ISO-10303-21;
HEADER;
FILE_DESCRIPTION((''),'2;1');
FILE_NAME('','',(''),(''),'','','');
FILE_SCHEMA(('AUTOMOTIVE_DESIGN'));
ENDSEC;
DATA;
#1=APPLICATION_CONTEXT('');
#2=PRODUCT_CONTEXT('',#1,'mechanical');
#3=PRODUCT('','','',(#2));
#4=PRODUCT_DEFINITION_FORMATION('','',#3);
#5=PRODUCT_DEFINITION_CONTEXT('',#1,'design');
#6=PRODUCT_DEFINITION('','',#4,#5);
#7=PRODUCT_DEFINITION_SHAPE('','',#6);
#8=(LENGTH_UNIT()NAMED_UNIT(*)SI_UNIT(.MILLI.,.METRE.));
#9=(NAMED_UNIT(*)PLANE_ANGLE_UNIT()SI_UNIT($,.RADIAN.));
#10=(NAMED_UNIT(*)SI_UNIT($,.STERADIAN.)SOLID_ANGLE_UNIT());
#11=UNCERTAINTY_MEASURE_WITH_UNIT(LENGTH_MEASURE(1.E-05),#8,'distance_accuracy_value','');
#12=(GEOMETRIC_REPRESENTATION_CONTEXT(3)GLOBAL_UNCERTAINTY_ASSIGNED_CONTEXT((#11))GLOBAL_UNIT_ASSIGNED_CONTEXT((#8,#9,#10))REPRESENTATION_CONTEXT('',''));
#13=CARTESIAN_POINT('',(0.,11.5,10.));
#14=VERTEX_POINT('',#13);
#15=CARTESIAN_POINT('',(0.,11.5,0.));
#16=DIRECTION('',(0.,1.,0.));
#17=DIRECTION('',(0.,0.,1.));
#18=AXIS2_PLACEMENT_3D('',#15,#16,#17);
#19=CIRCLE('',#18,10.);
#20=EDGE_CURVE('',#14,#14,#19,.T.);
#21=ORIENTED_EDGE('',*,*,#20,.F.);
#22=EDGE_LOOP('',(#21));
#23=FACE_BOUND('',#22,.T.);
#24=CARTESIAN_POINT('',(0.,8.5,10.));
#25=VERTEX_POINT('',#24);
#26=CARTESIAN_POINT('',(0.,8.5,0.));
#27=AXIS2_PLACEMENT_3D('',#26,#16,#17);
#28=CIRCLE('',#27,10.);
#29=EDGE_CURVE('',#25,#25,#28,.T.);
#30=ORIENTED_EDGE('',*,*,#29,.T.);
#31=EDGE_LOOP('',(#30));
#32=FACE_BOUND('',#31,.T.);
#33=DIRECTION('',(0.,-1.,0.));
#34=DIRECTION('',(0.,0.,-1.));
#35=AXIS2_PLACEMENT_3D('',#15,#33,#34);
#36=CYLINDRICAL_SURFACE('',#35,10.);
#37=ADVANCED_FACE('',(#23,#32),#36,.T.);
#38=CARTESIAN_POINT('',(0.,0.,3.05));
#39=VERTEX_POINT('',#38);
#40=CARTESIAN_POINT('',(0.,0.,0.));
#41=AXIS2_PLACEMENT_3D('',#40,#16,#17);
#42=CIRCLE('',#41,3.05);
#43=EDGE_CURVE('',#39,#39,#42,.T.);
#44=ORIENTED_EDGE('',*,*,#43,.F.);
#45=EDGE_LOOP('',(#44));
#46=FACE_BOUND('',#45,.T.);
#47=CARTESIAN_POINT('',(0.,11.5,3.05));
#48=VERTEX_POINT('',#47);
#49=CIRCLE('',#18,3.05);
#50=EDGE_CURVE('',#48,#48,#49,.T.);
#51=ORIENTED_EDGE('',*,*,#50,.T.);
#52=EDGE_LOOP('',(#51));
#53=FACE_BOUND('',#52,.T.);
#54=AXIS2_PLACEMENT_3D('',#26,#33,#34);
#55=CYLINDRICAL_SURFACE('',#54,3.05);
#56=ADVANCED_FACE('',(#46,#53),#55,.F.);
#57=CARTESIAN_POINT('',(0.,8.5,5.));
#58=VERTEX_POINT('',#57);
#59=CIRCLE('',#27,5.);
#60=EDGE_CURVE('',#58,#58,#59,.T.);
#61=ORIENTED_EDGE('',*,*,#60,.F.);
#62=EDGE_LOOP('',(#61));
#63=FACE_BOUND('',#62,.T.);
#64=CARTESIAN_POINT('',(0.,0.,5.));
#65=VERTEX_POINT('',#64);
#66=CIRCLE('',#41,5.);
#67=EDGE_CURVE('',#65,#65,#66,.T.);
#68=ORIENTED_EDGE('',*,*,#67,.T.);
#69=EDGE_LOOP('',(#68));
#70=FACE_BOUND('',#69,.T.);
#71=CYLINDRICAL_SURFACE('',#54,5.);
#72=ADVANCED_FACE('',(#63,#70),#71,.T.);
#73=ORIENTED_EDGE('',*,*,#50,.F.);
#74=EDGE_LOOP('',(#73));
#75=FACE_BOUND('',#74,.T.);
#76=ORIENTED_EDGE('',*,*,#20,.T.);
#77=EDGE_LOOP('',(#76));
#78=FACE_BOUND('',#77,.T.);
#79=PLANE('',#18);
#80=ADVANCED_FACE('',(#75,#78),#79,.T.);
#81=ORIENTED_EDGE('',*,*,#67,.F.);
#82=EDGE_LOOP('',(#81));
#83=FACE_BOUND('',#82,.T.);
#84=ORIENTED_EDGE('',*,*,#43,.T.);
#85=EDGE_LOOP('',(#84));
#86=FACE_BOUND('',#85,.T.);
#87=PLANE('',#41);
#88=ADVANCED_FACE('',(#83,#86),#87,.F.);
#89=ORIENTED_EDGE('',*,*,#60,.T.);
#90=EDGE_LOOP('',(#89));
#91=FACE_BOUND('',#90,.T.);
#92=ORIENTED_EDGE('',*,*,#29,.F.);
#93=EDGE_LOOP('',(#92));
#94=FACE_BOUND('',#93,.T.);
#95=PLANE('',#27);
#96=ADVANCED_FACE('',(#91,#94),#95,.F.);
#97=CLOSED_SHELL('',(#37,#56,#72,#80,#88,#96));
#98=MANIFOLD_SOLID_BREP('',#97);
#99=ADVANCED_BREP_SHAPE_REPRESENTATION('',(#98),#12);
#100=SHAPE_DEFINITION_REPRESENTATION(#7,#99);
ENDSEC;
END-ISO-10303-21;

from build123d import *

# Parameters (mm, degrees)
SKETCH_1_R      = 5
SKETCH_1_R_2    = 3.05
EXTRUDE_1_DEPTH = 8.5
SKETCH_2_R      = 10
SKETCH_2_R_2    = 3.05
EXTRUDE_2_DEPTH = 3


with BuildPart() as part:
    # 草图1 → 凸台-拉伸1 (new body)
    with BuildSketch(Plane(origin=(0, 0, 0), x_dir=(1, 0, 0), z_dir=(0, 1, 0))):
        with Locations(Location((0, 0, 0), (0, 0, 270))):
            Circle(SKETCH_1_R)
        with Locations(Location((0, 0, 0), (0, 0, 270))):
            Circle(SKETCH_1_R_2, mode=Mode.SUBTRACT)
    extrude(amount=EXTRUDE_1_DEPTH)

    # 草图2 → 凸台-拉伸2 (add)
    with BuildSketch(Plane(origin=(0, 8.5, 0), x_dir=(1, 0, 0), z_dir=(0, 1, 0))):
        with Locations(Location((0, 0, 0), (0, 0, 270))):
            Circle(SKETCH_2_R)
        with Locations(Location((0, 0, 0), (0, 0, 270))):
            Circle(SKETCH_2_R_2, mode=Mode.SUBTRACT)
    extrude(amount=EXTRUDE_2_DEPTH)


solid = part.part
